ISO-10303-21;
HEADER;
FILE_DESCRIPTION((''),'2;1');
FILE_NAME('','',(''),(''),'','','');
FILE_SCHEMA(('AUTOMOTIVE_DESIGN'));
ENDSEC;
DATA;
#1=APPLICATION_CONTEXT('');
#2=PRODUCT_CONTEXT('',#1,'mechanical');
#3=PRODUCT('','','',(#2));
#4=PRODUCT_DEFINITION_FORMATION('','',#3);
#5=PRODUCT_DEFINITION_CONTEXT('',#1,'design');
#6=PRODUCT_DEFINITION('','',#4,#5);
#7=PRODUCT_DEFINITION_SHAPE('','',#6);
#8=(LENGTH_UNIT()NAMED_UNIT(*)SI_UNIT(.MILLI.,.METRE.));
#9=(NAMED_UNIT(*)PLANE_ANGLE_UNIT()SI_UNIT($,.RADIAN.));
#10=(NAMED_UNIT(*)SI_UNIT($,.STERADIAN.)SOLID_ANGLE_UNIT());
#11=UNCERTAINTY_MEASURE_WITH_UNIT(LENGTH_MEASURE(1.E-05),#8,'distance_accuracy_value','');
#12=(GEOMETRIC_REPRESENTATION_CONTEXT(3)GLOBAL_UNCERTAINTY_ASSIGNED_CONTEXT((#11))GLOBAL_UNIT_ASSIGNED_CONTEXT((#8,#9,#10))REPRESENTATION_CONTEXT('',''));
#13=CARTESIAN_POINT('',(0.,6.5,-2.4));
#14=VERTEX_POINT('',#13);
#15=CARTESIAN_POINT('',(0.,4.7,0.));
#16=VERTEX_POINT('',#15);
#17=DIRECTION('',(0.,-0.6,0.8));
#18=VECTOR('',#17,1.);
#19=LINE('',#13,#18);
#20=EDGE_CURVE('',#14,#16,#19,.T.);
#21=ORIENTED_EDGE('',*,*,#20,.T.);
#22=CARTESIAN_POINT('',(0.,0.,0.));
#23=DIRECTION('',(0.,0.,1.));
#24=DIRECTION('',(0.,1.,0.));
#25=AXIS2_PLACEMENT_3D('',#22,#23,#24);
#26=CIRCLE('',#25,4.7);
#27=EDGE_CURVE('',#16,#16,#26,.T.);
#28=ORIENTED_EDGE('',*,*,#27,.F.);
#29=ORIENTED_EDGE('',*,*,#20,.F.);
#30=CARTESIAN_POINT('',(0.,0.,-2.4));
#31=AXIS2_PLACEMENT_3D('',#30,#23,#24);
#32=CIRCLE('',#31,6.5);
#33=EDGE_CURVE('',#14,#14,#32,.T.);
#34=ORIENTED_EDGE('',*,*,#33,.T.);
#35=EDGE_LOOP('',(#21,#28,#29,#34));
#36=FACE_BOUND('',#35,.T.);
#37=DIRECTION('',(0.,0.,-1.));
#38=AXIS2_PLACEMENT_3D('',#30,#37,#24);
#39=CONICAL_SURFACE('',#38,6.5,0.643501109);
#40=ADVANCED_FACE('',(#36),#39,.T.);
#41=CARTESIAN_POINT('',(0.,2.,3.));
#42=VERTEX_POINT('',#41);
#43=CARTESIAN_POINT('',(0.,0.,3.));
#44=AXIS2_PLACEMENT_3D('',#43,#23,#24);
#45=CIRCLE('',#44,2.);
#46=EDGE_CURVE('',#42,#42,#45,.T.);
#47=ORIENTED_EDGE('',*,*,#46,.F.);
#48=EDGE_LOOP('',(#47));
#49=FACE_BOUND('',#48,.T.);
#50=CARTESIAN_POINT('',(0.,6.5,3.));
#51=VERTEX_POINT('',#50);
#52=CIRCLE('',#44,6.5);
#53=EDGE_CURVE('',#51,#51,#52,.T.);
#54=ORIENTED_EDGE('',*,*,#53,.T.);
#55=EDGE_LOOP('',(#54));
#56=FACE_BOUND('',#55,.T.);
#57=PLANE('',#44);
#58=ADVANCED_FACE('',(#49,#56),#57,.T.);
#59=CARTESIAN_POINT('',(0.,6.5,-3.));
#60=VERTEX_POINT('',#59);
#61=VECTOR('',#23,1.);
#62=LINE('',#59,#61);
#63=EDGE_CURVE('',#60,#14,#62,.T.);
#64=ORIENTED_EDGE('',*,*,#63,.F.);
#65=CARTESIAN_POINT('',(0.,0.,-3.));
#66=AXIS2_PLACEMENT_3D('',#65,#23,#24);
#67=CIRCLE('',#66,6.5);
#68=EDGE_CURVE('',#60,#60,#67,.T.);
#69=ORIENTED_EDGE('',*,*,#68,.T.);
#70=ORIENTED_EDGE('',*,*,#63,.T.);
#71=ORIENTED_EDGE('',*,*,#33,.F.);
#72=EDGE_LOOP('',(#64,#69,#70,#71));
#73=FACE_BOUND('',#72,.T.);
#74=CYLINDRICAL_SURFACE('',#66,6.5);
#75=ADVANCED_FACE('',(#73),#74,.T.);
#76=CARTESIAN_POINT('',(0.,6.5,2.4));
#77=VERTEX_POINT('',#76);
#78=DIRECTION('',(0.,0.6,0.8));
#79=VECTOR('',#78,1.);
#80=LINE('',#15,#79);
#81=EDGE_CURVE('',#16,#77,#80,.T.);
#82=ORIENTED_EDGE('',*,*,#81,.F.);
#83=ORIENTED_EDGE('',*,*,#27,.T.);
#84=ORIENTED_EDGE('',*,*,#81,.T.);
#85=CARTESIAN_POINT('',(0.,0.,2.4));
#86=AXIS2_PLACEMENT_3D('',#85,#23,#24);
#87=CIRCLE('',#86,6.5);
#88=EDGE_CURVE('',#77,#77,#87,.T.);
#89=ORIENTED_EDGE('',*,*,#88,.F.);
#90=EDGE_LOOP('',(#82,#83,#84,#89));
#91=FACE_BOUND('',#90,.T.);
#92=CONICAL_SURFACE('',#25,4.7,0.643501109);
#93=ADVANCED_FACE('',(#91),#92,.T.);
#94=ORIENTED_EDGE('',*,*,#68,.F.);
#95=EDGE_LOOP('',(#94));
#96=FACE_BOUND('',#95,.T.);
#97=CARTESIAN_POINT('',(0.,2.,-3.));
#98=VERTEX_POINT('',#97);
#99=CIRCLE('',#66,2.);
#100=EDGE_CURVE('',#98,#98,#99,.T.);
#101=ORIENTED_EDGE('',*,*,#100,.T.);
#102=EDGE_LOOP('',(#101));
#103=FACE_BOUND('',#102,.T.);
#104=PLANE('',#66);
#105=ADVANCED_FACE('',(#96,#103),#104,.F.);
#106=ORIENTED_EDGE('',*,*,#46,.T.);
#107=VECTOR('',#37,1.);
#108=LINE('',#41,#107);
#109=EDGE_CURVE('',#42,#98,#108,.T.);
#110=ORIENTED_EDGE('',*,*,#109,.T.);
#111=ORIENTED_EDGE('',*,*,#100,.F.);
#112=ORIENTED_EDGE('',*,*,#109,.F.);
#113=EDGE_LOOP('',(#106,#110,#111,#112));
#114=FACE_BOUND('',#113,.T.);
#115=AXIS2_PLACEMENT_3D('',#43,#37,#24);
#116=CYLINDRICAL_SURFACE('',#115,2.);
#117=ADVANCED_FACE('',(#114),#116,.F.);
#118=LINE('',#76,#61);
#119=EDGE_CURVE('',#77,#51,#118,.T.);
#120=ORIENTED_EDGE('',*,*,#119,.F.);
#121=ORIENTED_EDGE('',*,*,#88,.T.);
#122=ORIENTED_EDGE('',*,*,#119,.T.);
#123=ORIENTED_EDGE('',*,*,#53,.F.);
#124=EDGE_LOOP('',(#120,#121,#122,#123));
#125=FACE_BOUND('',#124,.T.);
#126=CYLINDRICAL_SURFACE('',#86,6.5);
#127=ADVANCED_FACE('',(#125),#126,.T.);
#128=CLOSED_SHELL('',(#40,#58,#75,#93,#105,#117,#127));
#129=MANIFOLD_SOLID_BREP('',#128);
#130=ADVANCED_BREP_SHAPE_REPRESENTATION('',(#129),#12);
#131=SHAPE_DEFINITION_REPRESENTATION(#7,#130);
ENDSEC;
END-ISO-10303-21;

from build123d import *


with BuildPart() as part:
    # 草图1 → 旋转1 (revolve)
    with BuildSketch(Plane(origin=(0, 0, 0), x_dir=(0, 0, -1), z_dir=(1, 0, 0))):
        Polygon((-3, 2), (3, 2), (3, 6.5), (2.4, 6.5), (0, 4.7), (-2.4, 6.5), (-3, 6.5), align=None)
    revolve(axis=Axis((0, 0, 0), (0, 0, 1)))


solid = part.part
